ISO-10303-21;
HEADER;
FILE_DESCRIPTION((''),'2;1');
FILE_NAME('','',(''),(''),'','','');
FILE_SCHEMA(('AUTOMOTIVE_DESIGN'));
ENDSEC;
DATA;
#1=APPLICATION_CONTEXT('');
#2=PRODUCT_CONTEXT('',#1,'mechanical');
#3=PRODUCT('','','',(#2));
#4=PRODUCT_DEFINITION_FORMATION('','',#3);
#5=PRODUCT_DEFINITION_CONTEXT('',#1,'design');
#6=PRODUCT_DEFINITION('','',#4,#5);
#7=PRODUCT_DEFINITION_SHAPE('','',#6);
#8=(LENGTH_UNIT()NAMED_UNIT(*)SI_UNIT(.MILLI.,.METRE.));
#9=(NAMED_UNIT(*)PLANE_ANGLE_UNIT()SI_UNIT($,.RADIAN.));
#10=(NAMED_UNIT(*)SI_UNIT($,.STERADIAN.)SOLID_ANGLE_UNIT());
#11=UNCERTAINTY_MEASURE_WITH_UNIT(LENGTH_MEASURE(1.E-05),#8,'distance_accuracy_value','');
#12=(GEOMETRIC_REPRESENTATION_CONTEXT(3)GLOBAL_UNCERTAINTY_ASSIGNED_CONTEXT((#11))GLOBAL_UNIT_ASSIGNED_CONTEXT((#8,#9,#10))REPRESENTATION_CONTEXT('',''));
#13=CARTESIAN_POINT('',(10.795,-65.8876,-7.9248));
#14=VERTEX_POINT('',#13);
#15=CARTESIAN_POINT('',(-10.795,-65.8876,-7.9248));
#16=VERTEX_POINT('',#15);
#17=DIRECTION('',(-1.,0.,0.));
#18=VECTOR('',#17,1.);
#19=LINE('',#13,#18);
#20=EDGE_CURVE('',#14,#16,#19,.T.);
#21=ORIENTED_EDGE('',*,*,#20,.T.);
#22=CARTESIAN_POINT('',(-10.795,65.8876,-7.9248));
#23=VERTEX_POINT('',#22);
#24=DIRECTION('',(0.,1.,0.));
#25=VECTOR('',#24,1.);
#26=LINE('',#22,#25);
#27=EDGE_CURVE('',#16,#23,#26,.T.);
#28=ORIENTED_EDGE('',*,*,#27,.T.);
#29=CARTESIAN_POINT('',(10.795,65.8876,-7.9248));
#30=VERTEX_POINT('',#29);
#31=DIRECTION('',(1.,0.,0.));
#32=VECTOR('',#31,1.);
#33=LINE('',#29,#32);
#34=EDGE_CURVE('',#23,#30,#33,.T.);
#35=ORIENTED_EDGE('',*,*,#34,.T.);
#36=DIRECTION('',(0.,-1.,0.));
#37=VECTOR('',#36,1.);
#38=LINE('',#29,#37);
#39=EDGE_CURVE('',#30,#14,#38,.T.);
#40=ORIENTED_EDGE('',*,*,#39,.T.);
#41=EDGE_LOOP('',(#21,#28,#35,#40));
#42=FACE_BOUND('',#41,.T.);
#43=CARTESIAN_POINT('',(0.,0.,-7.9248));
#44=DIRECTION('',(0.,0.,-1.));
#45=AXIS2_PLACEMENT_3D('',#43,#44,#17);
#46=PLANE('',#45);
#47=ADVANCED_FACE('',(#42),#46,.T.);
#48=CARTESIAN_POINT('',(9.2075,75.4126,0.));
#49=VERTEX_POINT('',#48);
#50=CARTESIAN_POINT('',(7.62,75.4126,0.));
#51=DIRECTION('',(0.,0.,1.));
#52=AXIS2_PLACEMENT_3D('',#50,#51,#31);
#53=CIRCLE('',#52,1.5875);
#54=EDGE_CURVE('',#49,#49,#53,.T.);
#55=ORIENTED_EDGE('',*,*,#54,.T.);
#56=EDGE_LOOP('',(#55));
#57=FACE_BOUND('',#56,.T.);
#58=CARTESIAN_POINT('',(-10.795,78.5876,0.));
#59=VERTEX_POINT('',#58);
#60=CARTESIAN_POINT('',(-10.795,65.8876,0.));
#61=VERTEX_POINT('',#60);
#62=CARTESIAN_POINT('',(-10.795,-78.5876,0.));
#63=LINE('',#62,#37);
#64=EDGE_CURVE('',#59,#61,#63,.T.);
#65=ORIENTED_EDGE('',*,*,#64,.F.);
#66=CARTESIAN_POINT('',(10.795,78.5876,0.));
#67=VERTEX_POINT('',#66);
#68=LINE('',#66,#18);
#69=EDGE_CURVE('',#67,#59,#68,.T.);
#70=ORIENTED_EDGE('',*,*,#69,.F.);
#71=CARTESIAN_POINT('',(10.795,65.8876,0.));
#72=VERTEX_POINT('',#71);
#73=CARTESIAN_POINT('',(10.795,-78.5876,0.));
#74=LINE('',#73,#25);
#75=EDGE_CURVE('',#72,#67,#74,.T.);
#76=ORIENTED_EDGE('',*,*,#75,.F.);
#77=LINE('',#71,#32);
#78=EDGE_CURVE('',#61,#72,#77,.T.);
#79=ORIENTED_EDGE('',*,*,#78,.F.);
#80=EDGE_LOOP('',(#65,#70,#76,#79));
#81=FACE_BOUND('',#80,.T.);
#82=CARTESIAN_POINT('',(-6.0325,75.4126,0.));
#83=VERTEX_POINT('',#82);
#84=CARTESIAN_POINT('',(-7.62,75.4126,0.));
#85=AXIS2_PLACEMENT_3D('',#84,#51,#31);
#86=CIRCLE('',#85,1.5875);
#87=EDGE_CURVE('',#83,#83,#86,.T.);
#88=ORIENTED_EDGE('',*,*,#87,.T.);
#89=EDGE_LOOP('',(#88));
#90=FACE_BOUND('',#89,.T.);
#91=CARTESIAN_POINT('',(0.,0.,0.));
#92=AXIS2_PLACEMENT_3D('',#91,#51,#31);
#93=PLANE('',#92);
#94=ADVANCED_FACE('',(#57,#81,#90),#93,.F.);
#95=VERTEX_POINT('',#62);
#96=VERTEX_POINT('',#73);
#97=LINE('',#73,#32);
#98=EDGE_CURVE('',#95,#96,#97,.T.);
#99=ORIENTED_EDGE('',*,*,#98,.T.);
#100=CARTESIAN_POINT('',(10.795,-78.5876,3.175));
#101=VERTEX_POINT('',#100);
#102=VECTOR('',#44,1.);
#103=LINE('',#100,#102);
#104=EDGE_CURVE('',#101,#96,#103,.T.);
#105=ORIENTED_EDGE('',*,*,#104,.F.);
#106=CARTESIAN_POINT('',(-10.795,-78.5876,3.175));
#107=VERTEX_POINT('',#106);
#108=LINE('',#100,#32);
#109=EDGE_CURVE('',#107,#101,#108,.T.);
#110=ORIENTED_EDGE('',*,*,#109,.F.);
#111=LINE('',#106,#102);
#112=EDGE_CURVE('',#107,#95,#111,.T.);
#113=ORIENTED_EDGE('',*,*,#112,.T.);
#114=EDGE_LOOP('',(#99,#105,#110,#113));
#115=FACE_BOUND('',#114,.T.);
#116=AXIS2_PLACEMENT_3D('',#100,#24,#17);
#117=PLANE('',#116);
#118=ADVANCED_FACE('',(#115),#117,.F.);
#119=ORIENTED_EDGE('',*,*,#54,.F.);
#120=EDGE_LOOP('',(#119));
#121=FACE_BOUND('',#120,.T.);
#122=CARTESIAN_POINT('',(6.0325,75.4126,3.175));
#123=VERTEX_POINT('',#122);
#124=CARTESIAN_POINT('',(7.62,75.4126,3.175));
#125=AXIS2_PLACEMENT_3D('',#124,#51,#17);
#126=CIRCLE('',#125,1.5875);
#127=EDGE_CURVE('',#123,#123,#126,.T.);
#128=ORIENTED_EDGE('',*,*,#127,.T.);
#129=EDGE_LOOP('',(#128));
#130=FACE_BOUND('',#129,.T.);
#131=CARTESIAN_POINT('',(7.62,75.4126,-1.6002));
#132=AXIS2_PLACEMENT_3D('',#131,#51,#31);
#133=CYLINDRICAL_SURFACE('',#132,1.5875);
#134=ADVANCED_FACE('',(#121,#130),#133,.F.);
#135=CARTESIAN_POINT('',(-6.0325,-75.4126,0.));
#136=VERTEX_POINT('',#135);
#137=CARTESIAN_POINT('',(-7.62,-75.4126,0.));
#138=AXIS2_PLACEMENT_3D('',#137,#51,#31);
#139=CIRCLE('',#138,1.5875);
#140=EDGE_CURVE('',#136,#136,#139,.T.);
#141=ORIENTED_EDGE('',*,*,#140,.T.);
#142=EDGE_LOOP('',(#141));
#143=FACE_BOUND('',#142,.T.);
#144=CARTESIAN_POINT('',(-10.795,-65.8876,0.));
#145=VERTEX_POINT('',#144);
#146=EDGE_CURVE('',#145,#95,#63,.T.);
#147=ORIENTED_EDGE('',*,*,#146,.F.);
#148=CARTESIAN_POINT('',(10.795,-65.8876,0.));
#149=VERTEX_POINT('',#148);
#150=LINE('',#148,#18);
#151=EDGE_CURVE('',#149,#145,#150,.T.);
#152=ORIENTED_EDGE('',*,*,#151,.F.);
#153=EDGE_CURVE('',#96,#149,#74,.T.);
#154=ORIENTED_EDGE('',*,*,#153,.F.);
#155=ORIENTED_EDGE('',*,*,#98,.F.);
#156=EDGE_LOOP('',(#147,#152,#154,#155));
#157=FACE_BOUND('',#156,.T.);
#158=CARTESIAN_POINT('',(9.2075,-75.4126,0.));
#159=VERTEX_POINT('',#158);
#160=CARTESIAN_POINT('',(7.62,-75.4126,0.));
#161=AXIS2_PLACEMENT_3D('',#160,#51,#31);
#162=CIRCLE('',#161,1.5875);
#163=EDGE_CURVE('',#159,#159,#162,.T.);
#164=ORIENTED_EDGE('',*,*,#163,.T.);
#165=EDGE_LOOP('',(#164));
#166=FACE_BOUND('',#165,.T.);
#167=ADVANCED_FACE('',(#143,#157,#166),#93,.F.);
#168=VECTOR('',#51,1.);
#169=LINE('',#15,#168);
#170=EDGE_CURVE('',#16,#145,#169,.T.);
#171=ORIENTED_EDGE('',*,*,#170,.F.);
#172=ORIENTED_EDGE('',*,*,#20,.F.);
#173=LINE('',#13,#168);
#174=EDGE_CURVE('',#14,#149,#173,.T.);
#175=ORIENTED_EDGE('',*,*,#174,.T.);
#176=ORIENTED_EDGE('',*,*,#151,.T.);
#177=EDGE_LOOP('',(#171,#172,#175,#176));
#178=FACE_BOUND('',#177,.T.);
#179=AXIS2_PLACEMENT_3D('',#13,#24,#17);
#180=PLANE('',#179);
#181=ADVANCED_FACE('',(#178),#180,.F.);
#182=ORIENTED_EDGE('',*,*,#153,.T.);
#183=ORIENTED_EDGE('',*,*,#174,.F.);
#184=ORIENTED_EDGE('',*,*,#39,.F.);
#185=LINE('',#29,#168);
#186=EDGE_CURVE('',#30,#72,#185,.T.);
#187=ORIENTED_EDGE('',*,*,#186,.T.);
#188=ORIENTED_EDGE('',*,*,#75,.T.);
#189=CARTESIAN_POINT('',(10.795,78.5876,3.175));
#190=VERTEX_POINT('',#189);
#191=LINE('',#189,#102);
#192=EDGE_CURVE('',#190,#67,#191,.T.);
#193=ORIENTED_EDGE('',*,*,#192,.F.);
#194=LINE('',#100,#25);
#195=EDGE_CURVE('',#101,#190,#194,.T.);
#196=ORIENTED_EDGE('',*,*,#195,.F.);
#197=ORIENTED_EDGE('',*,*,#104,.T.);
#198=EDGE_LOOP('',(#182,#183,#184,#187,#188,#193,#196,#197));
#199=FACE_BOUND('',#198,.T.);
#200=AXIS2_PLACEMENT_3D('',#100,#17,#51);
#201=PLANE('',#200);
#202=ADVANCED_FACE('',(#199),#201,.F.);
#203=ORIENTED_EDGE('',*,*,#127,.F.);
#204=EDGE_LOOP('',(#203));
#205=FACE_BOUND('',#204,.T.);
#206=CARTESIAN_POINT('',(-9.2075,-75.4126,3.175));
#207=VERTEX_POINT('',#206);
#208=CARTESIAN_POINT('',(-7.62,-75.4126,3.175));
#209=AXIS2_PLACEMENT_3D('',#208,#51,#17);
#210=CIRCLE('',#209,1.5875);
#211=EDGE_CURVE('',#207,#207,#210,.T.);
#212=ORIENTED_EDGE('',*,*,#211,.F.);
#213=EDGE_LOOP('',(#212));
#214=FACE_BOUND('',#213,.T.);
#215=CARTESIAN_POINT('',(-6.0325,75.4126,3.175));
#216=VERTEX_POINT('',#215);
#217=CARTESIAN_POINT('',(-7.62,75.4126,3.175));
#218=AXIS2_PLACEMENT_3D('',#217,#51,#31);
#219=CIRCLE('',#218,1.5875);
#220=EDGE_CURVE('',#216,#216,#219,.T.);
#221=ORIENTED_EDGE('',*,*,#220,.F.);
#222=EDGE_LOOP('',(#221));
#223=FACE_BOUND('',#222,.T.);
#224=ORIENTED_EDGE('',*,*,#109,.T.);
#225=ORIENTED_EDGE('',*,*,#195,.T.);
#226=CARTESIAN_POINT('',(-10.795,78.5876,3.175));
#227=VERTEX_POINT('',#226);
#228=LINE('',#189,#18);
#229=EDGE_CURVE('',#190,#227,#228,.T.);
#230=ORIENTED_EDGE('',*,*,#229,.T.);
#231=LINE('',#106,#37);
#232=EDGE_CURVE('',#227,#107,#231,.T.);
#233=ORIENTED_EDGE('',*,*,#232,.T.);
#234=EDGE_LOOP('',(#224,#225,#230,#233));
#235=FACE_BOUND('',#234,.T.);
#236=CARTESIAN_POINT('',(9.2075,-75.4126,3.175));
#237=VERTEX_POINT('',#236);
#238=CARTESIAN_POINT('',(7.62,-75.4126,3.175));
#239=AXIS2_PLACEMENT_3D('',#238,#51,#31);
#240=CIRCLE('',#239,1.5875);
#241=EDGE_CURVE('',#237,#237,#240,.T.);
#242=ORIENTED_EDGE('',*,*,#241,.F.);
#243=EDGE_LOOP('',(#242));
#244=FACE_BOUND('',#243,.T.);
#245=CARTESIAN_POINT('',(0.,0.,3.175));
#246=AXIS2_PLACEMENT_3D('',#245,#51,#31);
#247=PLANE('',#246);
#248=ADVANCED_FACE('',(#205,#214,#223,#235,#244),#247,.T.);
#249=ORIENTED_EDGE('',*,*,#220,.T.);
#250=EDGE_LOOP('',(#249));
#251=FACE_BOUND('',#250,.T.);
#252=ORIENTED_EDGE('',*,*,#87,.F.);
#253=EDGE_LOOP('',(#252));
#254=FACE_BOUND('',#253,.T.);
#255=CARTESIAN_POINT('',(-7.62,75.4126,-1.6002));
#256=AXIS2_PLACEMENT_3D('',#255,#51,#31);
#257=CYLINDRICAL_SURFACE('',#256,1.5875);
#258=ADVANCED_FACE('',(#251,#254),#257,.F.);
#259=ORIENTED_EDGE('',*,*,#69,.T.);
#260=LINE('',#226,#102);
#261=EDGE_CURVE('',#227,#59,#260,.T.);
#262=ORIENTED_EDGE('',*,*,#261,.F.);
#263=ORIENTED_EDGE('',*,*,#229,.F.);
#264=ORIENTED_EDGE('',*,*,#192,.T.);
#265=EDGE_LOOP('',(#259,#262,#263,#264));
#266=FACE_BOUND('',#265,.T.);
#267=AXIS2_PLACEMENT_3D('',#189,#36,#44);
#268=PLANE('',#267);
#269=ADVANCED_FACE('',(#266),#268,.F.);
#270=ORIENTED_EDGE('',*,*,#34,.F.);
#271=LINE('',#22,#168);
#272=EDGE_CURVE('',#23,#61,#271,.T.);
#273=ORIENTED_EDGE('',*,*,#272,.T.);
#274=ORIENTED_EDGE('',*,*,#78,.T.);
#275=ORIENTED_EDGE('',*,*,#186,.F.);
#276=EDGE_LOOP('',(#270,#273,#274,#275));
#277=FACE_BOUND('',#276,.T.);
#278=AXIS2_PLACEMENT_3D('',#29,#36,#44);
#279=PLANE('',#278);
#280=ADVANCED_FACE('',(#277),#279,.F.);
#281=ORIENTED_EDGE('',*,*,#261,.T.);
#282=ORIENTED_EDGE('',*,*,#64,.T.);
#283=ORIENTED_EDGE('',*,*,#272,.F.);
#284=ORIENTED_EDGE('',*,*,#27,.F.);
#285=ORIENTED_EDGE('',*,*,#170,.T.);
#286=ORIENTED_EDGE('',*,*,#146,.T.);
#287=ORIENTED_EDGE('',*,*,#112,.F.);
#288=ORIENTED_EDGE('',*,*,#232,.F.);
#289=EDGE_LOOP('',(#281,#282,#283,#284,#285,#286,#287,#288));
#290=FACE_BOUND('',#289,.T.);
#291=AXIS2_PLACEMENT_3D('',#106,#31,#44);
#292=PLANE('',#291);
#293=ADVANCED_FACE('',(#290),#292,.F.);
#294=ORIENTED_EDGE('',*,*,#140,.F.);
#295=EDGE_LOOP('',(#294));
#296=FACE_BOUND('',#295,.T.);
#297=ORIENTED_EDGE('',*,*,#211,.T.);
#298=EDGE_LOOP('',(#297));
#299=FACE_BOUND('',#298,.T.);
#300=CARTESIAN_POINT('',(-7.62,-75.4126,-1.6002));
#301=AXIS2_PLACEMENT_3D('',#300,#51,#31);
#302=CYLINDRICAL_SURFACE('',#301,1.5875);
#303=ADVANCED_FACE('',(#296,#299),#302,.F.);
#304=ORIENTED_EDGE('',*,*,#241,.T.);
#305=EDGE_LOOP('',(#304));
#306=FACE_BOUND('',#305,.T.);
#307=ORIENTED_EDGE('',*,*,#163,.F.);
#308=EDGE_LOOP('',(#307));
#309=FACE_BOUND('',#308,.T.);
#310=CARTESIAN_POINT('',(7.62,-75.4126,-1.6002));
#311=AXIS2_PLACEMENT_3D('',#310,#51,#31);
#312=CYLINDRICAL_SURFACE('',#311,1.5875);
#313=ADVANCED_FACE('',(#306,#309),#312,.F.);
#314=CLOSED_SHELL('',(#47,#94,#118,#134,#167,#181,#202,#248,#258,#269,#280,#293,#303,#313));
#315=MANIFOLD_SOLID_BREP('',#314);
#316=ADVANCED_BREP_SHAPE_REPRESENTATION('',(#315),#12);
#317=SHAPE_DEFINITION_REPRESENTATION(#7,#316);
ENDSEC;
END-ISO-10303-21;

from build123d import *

# Parameters (mm, degrees)
SKETCH1_W           = 21.59
SKETCH1_H           = 157.1752
BOSS_EXTRUDE1_DEPTH = 3.175
SKETCH2_W           = 21.59
SKETCH2_H           = 131.7752
BOSS_EXTRUDE2_DEPTH = 7.9248
SKETCH3_R           = 1.5875
CUT_EXTRUDE1_DEPTH  = 4.7752


with BuildPart() as part:
    # Sketch1 → Boss-Extrude1 (new body)
    with BuildSketch(Plane.XY):
        Rectangle(SKETCH1_W, SKETCH1_H)
    extrude(amount=BOSS_EXTRUDE1_DEPTH)

    # Sketch2 → Boss-Extrude2 (add)
    with BuildSketch(Plane(origin=(0, 0, 0), x_dir=(-1, 0, 0), z_dir=(0, 0, -1))):
        Rectangle(SKETCH2_W, SKETCH2_H)
    extrude(amount=BOSS_EXTRUDE2_DEPTH)

    # Sketch3 → Cut-Extrude1 (cut)
    with BuildSketch(Plane.XY.offset(3.175)):
        with Locations((-7.62, 75.4126)):
            Circle(SKETCH3_R)
        with Locations((7.62, 75.4126)):
            Circle(SKETCH3_R)
        with Locations((7.62, -75.4126)):
            Circle(SKETCH3_R)
        with Locations((-7.62, -75.4126)):
            Circle(SKETCH3_R)
    extrude(amount=-CUT_EXTRUDE1_DEPTH, mode=Mode.SUBTRACT)


solid = part.part
